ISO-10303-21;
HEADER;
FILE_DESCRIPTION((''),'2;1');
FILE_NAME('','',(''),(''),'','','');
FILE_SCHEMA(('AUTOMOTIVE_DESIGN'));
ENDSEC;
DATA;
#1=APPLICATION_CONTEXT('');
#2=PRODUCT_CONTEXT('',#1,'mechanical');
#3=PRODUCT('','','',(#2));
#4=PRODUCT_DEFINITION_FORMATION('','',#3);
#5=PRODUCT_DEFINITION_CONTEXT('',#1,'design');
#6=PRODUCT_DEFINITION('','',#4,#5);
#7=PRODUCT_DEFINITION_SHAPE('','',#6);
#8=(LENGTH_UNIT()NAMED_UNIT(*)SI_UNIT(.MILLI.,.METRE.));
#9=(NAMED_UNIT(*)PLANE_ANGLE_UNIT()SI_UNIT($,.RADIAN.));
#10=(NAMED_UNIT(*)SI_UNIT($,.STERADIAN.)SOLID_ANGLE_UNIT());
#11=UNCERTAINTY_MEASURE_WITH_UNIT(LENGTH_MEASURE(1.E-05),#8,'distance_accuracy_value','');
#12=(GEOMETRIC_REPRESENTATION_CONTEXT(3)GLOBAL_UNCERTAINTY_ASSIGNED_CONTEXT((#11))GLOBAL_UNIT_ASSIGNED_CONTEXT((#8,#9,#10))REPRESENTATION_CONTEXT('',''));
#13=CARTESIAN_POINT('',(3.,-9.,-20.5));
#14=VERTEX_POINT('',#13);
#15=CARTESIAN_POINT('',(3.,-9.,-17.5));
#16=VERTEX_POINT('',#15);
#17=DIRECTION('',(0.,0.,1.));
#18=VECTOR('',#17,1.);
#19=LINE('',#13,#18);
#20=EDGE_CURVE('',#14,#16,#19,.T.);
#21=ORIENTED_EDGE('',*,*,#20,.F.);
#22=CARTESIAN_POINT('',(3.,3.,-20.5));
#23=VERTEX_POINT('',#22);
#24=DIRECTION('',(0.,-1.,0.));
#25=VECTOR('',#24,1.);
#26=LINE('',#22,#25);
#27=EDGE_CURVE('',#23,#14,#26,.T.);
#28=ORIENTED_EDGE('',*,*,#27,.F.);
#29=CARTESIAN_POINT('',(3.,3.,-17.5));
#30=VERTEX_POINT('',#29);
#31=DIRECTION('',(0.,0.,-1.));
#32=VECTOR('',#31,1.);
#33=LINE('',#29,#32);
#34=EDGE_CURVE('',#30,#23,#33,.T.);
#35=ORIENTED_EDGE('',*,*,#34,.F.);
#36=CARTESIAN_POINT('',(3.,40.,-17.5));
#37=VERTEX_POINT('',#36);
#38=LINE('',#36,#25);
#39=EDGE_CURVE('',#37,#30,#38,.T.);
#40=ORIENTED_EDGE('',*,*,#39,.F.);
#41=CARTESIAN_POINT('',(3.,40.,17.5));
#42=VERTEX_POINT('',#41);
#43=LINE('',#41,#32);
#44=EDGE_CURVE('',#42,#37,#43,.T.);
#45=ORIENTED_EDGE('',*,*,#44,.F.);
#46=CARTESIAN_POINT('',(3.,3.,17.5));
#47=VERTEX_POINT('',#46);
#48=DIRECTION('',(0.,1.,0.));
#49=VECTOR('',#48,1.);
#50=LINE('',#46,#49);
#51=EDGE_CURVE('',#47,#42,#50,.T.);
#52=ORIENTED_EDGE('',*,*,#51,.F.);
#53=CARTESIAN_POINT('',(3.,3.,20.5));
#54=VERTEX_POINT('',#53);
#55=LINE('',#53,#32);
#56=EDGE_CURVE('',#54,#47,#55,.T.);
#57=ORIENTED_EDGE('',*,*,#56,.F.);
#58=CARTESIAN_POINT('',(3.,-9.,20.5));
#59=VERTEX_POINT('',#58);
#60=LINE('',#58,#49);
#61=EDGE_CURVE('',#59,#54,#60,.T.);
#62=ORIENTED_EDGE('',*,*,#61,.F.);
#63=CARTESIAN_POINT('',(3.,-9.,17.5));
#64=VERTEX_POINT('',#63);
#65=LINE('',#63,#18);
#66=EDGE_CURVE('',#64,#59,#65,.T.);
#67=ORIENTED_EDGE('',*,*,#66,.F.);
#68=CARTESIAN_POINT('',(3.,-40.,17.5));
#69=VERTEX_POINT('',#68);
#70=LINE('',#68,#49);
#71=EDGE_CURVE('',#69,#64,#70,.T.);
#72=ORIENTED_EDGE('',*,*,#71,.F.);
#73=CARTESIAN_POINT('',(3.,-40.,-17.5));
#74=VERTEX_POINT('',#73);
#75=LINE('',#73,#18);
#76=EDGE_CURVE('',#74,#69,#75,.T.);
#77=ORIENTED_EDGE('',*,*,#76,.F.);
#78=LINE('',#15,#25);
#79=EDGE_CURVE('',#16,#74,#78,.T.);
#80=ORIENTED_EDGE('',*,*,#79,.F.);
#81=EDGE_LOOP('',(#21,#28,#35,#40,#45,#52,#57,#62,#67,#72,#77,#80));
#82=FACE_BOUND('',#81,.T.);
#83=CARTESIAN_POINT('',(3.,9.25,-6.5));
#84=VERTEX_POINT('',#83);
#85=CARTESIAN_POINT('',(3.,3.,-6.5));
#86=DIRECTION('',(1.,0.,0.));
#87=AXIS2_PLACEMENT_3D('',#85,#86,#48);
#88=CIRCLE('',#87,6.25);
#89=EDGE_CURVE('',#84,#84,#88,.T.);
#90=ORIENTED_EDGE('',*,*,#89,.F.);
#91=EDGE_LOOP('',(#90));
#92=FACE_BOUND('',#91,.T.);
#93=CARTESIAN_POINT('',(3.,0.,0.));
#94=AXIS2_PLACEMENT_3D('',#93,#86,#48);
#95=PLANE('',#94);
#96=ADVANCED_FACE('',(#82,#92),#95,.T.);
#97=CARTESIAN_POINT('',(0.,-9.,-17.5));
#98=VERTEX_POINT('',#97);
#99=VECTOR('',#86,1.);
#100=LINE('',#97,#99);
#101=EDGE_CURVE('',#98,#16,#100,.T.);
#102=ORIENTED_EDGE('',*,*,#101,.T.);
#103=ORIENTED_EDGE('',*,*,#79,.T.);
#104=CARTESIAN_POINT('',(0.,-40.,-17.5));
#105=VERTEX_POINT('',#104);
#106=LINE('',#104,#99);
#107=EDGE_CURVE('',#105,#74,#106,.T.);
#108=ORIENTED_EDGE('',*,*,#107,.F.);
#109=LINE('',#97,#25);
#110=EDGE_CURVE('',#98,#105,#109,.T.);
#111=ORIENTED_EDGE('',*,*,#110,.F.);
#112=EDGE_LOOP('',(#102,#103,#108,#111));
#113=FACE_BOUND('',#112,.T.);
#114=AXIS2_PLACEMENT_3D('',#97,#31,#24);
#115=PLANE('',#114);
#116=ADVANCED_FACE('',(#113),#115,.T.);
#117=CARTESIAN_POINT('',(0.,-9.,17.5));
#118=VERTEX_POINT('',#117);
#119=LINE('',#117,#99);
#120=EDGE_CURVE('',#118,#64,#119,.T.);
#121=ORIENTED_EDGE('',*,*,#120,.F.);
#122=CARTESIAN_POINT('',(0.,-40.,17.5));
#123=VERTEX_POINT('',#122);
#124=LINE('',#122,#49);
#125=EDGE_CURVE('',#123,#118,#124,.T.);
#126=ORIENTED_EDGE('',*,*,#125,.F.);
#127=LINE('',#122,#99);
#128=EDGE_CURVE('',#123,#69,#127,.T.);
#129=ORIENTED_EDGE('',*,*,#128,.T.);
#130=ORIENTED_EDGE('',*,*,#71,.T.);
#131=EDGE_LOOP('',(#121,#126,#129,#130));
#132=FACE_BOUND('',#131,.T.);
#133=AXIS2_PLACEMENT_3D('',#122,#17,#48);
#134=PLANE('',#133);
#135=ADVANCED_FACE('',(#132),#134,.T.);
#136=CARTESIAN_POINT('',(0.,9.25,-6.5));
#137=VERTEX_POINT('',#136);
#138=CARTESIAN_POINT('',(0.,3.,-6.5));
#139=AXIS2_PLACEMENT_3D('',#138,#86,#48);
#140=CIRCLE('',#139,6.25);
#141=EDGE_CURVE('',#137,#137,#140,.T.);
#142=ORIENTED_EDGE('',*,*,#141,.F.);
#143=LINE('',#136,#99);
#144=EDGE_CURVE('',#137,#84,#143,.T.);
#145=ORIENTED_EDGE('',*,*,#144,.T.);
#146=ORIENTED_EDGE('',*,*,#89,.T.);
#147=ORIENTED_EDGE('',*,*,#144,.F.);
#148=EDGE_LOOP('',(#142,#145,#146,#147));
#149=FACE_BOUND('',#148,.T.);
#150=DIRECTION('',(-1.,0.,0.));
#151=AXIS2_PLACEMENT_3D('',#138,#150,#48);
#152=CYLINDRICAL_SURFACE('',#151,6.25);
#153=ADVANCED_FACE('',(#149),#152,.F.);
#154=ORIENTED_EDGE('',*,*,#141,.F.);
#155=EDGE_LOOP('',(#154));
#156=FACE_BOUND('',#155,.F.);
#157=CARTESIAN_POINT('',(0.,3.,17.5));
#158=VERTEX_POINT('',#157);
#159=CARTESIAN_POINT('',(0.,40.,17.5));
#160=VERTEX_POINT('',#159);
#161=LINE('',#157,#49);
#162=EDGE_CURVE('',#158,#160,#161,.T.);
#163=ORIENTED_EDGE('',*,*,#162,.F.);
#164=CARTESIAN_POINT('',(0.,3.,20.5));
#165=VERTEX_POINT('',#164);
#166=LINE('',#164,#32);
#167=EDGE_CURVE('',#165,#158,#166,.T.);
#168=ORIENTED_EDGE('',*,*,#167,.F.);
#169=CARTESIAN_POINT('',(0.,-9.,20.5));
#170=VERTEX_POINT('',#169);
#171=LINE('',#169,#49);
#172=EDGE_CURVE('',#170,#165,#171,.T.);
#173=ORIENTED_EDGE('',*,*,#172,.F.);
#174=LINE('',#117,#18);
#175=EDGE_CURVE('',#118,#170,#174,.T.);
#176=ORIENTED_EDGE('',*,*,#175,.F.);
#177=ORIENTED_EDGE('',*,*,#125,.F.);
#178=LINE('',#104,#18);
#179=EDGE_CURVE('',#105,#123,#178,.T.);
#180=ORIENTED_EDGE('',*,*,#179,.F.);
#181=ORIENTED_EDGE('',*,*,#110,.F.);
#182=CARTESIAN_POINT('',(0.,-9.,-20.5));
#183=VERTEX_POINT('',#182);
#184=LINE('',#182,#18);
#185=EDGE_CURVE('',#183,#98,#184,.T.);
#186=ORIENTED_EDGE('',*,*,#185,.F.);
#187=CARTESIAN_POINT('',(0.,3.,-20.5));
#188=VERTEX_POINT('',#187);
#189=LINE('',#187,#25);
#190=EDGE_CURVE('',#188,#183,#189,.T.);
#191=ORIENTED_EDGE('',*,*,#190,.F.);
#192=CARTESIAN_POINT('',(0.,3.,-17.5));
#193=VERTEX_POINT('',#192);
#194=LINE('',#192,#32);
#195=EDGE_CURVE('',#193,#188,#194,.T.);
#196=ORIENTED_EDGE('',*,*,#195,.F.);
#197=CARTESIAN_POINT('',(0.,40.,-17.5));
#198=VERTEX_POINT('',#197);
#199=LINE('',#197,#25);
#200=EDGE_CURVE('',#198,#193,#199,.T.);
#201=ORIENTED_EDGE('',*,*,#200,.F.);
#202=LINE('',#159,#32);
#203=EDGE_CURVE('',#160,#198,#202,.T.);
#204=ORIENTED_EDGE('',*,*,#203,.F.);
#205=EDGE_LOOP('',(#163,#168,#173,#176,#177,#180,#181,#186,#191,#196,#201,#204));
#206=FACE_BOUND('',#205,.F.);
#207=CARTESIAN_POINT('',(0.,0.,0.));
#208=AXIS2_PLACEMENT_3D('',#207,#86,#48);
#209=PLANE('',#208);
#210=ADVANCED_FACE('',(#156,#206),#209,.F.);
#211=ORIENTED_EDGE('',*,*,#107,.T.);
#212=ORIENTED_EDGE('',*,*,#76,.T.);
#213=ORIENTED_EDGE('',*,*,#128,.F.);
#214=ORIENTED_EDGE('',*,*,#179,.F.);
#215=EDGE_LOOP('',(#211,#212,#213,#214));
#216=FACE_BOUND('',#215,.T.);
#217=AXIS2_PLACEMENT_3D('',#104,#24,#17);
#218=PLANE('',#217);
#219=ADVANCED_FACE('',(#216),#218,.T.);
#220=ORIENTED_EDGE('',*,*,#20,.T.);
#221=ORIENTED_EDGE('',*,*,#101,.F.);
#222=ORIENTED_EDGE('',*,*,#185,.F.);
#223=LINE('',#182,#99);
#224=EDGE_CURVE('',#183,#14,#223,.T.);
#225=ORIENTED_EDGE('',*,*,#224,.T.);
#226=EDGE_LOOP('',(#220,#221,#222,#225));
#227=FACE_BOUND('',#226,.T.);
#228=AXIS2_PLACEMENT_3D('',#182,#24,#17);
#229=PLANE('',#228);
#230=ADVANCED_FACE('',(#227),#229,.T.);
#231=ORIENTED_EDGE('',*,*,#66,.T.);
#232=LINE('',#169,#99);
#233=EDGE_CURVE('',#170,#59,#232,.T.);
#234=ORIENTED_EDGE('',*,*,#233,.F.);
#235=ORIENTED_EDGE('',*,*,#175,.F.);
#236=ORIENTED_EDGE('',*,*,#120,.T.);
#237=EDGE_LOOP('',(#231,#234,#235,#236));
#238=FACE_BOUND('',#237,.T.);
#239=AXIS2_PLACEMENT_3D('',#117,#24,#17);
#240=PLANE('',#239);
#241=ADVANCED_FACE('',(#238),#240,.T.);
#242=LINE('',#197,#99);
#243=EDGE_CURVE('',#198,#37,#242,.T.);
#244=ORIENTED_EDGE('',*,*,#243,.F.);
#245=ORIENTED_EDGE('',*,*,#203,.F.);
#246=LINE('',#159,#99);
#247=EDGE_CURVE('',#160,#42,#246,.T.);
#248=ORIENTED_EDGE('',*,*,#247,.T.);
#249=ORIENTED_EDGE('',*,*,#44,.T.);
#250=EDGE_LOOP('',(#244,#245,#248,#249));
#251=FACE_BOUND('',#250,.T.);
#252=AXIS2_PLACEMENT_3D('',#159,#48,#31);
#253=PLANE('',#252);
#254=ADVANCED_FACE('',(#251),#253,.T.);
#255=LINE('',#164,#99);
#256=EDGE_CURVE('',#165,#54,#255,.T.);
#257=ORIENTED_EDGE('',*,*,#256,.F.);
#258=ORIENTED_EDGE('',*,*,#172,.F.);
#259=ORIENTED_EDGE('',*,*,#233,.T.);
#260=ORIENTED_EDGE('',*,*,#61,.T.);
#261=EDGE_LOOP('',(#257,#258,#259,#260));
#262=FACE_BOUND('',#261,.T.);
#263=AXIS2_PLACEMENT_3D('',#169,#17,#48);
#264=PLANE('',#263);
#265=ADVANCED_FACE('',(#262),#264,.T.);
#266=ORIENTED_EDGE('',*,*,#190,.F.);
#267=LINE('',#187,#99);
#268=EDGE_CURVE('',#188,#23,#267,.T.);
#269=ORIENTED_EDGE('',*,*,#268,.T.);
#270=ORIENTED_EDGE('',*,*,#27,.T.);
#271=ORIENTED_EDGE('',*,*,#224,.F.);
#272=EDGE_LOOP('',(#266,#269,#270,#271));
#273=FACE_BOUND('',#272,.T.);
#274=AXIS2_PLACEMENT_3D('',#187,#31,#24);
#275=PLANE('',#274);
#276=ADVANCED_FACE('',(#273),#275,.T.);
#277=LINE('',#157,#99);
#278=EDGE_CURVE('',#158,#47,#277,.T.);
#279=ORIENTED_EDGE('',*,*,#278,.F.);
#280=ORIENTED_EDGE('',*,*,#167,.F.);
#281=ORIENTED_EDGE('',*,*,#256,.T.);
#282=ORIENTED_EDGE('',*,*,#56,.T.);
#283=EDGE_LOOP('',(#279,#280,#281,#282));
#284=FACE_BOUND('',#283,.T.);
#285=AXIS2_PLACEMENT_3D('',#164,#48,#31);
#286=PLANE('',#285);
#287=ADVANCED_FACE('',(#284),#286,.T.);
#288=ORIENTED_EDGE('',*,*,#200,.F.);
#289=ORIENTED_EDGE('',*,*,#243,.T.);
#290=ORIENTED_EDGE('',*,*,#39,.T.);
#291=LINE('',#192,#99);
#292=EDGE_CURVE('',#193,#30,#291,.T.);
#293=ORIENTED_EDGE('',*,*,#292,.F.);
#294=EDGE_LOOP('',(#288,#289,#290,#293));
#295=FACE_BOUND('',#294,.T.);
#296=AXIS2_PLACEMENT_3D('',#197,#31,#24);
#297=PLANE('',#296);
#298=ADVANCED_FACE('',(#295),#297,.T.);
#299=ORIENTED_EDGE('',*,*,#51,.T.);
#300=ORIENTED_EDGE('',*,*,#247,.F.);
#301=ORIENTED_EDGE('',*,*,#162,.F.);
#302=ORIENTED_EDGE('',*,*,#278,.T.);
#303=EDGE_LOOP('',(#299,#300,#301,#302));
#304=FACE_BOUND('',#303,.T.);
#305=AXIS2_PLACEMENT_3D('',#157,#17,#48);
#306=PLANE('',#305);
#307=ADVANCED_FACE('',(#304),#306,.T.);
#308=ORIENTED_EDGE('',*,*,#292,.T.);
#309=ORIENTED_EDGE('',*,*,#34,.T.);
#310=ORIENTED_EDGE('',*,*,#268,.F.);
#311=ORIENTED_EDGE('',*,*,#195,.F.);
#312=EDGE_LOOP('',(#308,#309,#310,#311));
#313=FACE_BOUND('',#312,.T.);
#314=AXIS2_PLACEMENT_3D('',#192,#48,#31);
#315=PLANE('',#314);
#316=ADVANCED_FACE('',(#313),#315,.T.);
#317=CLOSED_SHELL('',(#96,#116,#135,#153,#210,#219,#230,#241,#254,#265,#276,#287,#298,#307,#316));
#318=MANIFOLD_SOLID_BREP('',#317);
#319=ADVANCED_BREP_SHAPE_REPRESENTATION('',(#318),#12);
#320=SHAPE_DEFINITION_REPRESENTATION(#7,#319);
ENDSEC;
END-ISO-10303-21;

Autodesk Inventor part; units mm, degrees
ref_plane "YZ Plane" through (0, 0, 0) normal (1, 0, 0) x (0, 1, 0)
ref_plane "XZ Plane" through (0, 0, 0) normal (0, 1, 0) x (-1, 0, 0)
ref_plane "XY Plane" through (0, 0, 0) normal (0, 0, 1) x (1, 0, 0)
sketch "Boceto1" plane through (0, 0, 0) normal (1, 0, 0) x (0, 1, 0)
  circle A0 centre (3, -6.5) radius 6.25
  line L0 (-9, 17.5) -> (-9, 20.5)
  line L1 (-9, 20.5) -> (3, 20.5)
  line L2 (3, 20.5) -> (3, 17.5)
  line L3 (3, 17.5) -> (40, 17.5)
  line L4 (40, 17.5) -> (40, -17.5)
  line L5 (40, -17.5) -> (3, -17.5)
  line L6 (3, -17.5) -> (3, -20.5)
  line L7 (3, -20.5) -> (-9, -20.5)
  line L8 (-9, -20.5) -> (-9, -17.5)
  line L9 (-9, -17.5) -> (-40, -17.5)
  line L10 (-40, -17.5) -> (-40, 17.5)
  line L11 (-40, 17.5) -> (-9, 17.5)
  point P0 (0, 0)
extrude "Extrusión1" add sketch "Boceto1" along normal blind 3
properties part number "Wheel_Support" material "MDF Tablero de fibras de densidad media"
